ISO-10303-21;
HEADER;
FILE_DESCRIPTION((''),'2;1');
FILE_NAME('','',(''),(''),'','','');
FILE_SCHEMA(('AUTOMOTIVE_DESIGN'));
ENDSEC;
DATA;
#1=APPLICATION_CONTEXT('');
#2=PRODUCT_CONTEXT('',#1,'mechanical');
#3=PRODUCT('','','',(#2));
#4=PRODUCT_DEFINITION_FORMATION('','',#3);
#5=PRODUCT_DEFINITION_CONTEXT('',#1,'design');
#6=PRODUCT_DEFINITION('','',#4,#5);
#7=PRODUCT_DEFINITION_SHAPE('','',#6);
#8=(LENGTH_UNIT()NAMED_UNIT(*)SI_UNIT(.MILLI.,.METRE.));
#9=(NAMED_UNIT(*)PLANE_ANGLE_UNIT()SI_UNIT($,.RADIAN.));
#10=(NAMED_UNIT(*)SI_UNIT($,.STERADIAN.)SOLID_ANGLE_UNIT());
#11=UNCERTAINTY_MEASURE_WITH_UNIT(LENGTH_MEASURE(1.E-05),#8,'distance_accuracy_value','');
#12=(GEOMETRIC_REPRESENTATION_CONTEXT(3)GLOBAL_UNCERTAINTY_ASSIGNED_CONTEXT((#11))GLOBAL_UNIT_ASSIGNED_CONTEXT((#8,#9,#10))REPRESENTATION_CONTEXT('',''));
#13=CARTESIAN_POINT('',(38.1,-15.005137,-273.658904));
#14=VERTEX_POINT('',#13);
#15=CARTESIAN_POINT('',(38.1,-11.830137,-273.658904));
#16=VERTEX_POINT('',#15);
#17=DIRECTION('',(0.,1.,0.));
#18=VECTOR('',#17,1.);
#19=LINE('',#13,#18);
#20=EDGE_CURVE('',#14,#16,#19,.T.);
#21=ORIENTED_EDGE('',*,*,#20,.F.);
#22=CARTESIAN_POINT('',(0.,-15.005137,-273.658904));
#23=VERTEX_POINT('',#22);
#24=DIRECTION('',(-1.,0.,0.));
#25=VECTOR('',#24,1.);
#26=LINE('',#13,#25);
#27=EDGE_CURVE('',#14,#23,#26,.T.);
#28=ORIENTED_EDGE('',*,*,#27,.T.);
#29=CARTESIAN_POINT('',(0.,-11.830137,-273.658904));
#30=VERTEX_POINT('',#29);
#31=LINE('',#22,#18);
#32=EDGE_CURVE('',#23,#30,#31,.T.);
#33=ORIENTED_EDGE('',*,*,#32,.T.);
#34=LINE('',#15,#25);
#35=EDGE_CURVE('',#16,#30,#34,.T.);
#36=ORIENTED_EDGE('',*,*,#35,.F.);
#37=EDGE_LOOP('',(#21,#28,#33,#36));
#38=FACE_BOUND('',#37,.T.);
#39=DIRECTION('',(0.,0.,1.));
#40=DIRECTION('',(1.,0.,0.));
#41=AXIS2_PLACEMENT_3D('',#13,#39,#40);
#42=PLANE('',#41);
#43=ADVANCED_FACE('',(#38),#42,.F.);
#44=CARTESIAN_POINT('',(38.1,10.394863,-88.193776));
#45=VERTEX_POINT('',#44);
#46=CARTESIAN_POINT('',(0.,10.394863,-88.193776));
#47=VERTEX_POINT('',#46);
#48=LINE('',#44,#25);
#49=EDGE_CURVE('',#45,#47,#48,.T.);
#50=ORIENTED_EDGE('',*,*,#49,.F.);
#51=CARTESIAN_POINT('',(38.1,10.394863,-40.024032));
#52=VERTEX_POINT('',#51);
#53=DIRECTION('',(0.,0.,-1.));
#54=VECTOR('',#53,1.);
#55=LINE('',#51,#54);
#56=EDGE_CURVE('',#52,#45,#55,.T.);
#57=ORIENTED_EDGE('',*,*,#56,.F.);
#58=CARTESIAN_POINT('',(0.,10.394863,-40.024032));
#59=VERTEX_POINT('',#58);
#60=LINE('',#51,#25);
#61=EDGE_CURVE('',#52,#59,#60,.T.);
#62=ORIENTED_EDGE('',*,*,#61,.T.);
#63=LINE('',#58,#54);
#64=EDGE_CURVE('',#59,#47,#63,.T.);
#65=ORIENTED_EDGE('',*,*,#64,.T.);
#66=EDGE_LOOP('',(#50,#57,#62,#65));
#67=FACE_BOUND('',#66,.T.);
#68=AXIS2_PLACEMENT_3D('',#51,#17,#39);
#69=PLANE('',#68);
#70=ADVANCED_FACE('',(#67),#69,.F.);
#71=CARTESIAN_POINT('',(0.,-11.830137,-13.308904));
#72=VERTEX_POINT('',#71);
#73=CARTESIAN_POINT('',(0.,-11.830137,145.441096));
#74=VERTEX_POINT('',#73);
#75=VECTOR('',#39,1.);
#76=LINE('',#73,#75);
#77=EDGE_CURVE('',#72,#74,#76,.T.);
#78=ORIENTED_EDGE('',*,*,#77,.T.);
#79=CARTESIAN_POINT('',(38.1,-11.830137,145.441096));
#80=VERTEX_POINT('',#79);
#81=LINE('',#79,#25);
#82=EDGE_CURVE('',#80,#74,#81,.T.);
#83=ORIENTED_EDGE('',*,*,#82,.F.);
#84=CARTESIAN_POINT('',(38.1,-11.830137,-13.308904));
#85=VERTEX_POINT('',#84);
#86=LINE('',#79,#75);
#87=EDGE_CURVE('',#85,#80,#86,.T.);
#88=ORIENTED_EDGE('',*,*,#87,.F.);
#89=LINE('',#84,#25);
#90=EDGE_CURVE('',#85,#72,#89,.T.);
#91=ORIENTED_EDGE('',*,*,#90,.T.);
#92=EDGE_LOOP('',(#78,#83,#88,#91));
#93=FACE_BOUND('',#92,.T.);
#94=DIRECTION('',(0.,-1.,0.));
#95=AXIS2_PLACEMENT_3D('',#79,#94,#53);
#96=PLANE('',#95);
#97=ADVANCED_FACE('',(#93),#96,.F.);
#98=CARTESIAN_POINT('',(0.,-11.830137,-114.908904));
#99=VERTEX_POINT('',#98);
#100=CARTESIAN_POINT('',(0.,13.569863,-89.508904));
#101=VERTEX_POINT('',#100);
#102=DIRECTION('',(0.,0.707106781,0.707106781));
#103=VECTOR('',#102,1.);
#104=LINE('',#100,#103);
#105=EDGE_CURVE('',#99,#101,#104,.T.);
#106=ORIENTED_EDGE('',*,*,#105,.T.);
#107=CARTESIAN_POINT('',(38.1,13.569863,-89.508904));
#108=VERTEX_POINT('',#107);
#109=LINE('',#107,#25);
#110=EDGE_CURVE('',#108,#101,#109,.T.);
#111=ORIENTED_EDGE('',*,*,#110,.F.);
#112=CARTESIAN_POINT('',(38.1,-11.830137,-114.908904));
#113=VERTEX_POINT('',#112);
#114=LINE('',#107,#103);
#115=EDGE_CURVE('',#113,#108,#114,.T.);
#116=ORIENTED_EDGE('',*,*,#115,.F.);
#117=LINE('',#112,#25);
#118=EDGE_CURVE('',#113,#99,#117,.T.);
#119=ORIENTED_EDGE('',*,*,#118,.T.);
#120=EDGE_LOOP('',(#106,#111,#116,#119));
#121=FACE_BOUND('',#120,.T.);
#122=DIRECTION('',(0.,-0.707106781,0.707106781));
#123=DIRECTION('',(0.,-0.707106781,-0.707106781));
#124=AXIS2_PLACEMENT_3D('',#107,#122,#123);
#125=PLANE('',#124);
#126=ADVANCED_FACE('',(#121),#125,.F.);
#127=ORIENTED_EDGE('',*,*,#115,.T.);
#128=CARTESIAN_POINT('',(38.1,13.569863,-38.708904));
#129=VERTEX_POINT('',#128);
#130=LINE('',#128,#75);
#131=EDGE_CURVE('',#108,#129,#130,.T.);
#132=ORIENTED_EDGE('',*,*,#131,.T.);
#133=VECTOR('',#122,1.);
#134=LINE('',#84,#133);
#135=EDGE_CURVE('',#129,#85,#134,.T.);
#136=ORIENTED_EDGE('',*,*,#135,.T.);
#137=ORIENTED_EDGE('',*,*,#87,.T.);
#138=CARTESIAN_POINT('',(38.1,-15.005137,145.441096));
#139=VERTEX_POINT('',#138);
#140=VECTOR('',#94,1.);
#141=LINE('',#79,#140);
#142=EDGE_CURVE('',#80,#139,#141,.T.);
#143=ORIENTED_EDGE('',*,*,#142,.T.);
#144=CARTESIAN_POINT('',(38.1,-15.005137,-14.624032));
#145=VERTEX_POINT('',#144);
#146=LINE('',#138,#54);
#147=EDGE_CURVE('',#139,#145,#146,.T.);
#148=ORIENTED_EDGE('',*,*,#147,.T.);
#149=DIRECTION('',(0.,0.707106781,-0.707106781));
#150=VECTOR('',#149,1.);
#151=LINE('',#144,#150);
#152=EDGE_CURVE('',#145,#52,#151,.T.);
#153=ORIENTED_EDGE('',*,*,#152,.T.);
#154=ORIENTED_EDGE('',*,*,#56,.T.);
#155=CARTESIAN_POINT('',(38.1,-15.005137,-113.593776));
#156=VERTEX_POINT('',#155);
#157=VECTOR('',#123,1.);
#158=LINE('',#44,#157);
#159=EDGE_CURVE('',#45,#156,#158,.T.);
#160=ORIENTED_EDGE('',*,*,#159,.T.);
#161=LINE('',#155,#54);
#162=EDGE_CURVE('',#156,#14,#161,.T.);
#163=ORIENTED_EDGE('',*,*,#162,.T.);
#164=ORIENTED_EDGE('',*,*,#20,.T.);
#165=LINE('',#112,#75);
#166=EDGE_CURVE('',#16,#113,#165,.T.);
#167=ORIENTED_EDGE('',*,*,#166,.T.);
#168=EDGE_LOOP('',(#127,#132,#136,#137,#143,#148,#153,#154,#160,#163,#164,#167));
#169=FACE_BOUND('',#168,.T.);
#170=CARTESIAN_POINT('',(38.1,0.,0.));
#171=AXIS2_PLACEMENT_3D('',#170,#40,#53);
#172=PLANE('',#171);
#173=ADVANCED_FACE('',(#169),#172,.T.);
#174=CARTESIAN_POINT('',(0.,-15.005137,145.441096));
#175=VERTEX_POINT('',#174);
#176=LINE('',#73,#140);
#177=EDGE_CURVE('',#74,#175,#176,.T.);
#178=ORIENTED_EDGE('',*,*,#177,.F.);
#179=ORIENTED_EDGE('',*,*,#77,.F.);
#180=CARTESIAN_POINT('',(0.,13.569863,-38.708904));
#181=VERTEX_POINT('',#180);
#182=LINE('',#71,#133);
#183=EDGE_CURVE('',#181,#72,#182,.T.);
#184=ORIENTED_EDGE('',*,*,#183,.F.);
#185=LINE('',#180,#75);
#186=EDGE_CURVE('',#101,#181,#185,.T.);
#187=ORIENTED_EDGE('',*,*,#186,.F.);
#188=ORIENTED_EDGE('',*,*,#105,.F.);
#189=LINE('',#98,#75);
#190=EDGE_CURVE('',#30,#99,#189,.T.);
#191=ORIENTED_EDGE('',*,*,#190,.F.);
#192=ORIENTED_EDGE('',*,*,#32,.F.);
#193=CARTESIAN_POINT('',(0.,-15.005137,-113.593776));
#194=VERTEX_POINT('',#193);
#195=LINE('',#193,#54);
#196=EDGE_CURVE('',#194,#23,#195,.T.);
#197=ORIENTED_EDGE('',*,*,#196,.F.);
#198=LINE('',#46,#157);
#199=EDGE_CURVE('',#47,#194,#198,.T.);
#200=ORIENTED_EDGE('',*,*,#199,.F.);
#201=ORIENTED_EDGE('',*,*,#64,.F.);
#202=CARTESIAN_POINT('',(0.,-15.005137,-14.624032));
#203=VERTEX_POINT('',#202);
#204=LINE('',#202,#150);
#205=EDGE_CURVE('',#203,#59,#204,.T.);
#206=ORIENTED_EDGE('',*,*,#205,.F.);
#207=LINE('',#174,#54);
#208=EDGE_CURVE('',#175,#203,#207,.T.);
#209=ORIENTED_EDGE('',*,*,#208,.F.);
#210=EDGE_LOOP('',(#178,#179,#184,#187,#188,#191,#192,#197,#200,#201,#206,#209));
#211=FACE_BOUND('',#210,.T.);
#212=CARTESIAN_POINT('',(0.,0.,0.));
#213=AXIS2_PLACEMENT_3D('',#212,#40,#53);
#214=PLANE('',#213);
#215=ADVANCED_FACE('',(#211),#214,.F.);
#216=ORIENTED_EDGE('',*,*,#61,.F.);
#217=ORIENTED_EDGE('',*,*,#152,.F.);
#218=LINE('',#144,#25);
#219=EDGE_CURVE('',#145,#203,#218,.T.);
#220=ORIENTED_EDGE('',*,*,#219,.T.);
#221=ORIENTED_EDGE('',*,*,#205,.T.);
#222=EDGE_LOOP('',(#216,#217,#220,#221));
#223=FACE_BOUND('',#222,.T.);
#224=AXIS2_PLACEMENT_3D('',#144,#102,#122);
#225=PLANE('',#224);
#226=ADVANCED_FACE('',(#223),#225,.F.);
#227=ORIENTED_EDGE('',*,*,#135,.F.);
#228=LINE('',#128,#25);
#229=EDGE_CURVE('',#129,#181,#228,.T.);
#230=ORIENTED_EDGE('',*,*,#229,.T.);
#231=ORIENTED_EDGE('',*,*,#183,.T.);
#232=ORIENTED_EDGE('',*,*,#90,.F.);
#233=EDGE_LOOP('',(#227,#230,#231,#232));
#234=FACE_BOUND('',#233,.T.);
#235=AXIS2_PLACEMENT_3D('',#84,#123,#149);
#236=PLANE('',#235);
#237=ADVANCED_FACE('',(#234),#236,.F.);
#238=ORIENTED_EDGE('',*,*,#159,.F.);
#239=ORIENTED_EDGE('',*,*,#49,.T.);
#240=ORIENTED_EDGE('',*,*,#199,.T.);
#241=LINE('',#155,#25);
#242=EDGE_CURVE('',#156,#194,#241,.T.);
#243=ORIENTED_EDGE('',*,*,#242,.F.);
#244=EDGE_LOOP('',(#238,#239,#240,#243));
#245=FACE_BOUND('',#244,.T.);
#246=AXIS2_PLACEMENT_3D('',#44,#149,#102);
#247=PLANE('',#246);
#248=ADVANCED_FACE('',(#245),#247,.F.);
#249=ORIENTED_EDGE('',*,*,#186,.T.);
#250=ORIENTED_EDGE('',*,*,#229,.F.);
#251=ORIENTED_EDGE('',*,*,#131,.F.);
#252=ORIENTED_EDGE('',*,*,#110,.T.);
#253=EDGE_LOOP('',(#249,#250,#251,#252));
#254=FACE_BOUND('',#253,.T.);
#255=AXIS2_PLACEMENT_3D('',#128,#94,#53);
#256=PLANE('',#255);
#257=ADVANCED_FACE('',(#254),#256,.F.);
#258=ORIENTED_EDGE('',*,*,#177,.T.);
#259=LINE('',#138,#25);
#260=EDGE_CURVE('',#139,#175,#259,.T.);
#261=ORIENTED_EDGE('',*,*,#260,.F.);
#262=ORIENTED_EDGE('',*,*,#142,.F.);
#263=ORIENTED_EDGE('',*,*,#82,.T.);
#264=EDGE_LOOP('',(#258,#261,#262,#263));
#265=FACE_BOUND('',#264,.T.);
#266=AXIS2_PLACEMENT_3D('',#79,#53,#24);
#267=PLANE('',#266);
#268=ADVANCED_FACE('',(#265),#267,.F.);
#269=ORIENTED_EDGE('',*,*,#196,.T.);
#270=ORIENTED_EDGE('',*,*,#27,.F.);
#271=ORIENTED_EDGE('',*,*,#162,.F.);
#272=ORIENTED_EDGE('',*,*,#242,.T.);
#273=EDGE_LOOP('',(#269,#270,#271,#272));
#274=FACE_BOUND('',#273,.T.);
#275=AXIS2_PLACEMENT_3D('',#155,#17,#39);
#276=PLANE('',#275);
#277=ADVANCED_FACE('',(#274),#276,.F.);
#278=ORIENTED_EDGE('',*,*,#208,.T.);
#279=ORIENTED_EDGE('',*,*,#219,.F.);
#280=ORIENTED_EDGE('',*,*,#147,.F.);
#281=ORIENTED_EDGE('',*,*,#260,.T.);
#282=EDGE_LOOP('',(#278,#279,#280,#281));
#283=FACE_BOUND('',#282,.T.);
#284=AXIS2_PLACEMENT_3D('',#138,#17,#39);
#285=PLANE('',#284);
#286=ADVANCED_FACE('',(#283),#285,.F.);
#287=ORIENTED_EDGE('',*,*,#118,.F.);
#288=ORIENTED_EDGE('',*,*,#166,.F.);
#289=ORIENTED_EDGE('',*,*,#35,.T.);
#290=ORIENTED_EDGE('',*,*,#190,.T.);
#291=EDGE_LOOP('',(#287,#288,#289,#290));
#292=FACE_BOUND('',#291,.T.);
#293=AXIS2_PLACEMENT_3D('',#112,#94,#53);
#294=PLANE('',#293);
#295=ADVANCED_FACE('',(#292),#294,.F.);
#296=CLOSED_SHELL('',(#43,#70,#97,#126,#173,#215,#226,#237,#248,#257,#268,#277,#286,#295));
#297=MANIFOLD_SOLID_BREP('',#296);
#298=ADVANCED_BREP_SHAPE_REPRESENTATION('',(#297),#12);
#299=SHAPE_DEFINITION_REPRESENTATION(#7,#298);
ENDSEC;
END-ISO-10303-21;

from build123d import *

# Parameters (mm, degrees)
BOSS_EXTRUDE1_DEPTH = 38.1


with BuildPart() as part:
    # Sketch1 → Boss-Extrude1 (new body)
    with BuildSketch(Plane(origin=(0, 0, 0), x_dir=(0, 0, -1), z_dir=(1, 0, 0))):
        Polygon((-145.44109589, -11.830136986), (13.30890411, -11.830136986), (38.70890411, 13.569863014), (89.50890411, 13.569863014), (114.90890411, -11.830136986), (273.65890411, -11.830136986), (273.65890411, -15.005136986), (113.593776049, -15.005136986), (88.193776049, 10.394863014), (40.02403217, 10.394863014), (14.62403217, -15.005136986), (-145.44109589, -15.005136986), align=None)
    extrude(amount=BOSS_EXTRUDE1_DEPTH)


solid = part.part
